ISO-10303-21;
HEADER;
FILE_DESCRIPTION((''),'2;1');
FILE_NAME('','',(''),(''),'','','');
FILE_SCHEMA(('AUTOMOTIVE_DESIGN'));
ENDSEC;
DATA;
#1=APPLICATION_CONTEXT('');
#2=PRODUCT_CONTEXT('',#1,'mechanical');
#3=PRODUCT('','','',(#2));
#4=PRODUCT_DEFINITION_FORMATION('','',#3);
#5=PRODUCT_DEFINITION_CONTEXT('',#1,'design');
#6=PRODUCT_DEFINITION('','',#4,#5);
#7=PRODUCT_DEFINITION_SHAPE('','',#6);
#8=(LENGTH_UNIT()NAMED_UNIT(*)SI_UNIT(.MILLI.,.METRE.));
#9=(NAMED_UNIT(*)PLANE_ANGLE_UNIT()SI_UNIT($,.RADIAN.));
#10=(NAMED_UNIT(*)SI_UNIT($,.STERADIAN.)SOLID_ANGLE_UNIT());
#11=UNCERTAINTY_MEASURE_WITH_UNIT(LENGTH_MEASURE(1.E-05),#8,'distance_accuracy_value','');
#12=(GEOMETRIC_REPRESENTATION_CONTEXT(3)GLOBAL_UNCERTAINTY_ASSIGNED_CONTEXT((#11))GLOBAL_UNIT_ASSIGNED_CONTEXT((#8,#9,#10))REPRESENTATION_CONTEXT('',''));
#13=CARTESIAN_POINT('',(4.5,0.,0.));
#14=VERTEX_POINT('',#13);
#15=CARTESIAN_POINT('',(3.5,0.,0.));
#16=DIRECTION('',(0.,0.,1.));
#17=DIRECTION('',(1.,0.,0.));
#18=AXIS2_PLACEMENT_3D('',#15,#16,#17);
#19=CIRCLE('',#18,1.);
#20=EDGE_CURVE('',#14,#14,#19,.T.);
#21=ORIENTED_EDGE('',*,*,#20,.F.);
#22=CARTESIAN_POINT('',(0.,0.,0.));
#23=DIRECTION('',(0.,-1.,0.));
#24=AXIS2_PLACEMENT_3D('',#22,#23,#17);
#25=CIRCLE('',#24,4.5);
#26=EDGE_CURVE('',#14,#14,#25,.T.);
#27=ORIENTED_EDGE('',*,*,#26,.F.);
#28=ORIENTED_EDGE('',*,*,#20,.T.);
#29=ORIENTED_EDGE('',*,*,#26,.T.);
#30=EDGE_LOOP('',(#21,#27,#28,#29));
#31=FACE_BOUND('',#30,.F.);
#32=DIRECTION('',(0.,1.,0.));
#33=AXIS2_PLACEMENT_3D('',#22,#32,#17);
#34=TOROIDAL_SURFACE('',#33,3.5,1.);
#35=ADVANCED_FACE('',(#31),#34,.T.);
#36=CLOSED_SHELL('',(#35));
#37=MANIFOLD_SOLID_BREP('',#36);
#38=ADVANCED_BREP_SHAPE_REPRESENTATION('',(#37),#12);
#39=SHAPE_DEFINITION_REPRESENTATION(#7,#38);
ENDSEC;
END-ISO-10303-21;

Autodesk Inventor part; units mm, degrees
ref_plane "YZ Plane" through (0, 0, 0) normal (1, 0, 0) x (0, 1, 0)
ref_plane "XZ Plane" through (0, 0, 0) normal (0, 1, 0) x (-1, 0, 0)
ref_plane "XY Plane" through (0, 0, 0) normal (0, 0, 1) x (1, 0, 0)
sketch "Sketch1" plane through (0, 0, 0) normal (0, 0, 1) x (1, 0, 0)
  line L0 (0, 1.1669) -> (0, 0) construction
  line L1 (0, 0) -> (3.5, 0) construction
  circle A0 centre (3.5, 0) radius 1
  line L2 (2.5, 0.4543) -> (2.5, -0.4265) construction
  dimension "d0" = 2
  dimension "d1" = 2.5
revolve "Revolution1" add sketch "Sketch1" angle 360 about axis through (0, 1.1669, 0) along (0, -1, 0)
properties part number "oring_4x8"
